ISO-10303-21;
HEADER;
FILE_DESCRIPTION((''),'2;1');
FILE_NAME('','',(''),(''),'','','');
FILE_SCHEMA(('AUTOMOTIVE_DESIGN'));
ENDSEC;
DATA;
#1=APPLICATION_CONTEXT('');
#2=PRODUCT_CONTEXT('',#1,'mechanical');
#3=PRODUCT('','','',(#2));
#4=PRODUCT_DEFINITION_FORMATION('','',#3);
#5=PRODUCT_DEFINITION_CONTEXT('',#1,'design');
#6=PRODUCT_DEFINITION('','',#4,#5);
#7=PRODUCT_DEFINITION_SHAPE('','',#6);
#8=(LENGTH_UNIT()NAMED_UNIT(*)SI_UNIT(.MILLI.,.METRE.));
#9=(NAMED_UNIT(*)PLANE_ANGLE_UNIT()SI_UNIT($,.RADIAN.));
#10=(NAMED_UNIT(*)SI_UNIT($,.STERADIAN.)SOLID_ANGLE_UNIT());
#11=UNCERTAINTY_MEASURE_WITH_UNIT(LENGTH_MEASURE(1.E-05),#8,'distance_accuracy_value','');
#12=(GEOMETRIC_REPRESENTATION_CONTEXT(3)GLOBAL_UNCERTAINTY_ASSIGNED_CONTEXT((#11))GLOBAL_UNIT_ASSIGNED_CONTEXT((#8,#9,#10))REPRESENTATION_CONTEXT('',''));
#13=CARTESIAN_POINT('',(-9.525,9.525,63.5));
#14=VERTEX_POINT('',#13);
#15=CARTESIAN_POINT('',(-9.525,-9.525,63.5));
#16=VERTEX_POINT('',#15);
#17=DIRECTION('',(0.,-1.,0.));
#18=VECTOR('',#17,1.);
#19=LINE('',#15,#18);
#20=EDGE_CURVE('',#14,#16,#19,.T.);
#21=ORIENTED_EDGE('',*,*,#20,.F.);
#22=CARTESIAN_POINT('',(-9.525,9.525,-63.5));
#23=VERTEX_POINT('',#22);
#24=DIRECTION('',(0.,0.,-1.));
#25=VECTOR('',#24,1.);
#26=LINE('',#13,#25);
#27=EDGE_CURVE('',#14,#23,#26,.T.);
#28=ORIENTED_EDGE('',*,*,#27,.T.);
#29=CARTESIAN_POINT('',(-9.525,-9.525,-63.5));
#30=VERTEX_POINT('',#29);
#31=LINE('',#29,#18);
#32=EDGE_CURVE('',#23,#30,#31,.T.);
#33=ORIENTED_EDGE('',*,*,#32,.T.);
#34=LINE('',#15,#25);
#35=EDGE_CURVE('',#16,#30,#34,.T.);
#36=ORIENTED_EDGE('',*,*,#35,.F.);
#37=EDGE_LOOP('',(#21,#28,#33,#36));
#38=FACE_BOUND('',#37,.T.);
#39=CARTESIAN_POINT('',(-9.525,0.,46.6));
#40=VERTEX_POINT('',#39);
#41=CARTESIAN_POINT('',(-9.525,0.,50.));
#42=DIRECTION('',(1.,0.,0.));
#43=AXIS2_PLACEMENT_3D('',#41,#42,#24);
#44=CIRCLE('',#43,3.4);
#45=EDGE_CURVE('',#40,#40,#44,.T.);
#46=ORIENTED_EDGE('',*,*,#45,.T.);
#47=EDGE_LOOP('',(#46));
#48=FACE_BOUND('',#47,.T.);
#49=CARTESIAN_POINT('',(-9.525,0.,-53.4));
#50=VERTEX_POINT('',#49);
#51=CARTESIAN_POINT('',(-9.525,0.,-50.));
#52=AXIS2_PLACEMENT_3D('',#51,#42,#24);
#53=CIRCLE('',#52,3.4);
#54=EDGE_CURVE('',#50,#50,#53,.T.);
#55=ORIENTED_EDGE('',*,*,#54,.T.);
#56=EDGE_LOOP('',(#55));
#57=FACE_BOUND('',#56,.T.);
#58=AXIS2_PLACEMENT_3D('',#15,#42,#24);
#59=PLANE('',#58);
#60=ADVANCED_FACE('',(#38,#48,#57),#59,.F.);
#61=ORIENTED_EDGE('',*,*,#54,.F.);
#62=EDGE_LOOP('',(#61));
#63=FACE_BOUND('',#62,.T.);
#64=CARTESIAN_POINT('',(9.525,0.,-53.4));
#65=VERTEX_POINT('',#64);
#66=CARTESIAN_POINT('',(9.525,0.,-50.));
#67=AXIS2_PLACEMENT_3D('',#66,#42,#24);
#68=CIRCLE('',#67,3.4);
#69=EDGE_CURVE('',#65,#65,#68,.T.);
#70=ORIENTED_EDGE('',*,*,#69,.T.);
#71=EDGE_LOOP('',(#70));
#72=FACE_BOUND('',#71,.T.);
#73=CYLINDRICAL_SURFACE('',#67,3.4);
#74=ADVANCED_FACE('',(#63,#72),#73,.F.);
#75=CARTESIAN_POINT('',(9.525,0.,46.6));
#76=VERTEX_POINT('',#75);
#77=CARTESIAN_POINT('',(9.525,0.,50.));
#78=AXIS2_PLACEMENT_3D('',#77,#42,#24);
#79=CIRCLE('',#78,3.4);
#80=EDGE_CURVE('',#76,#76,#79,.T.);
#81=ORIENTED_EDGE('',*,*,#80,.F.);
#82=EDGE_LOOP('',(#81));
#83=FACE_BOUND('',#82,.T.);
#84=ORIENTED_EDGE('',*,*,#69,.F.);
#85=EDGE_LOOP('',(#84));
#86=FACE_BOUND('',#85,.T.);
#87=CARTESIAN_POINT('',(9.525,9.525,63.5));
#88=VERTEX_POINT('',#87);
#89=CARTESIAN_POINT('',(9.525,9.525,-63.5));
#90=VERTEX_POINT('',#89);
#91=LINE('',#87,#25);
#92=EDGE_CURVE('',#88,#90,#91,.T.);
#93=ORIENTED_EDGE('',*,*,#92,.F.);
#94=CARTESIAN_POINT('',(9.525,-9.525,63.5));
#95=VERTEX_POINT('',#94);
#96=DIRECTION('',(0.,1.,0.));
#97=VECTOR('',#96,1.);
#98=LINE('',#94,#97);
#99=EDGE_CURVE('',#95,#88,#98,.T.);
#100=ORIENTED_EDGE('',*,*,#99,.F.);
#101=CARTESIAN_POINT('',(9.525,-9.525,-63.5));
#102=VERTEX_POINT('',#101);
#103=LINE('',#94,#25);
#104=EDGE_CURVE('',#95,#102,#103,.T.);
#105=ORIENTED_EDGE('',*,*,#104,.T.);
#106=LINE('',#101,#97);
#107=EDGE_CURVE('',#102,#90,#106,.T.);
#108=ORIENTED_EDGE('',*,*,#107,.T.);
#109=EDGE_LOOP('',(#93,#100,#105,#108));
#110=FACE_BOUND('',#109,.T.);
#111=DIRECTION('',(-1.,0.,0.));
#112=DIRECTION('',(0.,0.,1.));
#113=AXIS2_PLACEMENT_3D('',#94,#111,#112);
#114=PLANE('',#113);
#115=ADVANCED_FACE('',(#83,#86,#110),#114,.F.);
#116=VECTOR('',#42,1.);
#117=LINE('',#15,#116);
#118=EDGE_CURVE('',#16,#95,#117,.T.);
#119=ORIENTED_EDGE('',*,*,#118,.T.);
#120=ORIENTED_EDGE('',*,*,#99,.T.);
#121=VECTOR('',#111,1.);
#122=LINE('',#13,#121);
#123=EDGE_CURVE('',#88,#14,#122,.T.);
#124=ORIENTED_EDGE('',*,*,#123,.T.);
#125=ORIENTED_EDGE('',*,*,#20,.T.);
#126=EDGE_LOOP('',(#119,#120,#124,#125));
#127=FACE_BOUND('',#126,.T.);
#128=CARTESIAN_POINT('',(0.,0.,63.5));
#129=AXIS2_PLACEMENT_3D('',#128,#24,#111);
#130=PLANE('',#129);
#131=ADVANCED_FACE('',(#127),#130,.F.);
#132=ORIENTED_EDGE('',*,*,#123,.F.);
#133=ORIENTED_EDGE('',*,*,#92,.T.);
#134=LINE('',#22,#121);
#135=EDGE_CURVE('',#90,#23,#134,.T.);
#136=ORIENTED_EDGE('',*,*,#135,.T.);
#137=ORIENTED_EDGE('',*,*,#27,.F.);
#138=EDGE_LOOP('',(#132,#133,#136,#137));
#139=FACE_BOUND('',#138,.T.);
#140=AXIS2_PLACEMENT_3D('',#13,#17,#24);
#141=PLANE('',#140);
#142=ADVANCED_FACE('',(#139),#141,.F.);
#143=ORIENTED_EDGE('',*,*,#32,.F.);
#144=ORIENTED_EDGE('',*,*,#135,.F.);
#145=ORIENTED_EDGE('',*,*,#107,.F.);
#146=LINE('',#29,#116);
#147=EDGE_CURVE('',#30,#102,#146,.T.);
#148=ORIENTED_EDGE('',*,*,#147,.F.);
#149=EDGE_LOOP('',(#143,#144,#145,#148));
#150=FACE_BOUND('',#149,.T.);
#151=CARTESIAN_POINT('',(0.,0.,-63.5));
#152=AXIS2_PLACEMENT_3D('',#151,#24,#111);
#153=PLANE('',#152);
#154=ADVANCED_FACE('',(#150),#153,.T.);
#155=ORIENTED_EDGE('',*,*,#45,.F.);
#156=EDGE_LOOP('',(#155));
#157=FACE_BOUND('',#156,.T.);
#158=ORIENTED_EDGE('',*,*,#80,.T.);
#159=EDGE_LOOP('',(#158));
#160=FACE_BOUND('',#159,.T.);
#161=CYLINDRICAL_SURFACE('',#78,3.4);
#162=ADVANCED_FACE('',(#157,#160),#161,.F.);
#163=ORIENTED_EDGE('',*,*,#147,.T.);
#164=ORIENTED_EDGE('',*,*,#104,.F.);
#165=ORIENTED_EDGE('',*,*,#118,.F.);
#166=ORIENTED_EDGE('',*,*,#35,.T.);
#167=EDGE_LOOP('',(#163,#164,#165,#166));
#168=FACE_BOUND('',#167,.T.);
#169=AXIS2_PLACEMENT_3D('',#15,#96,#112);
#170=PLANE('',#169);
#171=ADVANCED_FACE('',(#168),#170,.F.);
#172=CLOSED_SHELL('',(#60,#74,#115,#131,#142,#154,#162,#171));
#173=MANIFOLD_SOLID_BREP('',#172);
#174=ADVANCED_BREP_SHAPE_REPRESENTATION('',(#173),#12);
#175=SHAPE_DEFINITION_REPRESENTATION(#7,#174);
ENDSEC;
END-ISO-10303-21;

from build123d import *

# Parameters (mm, degrees)
ESBO_O1_W                = 19.05
ESBO_O1_H                = 19.05
RESSALTO_EXTRUS_O1_DEPTH = 63.5
FURO_ROSCADO_DE_M81_D    = 6.8


with BuildPart() as part:
    # Esboço1 → Ressalto-extrusão1 (new body, symmetric)
    with BuildSketch(Plane.XY):
        Rectangle(ESBO_O1_W, ESBO_O1_H)
    extrude(amount=RESSALTO_EXTRUS_O1_DEPTH, both=True)

    # Furo roscado de M81 (through all)
    with Locations(Plane(origin=(9.525, 0, 0), x_dir=(0, 0, -1), z_dir=(1, 0, 0))):
        with Locations((-50, 0), (50, 0)):
            Hole(FURO_ROSCADO_DE_M81_D / 2)


solid = part.part
